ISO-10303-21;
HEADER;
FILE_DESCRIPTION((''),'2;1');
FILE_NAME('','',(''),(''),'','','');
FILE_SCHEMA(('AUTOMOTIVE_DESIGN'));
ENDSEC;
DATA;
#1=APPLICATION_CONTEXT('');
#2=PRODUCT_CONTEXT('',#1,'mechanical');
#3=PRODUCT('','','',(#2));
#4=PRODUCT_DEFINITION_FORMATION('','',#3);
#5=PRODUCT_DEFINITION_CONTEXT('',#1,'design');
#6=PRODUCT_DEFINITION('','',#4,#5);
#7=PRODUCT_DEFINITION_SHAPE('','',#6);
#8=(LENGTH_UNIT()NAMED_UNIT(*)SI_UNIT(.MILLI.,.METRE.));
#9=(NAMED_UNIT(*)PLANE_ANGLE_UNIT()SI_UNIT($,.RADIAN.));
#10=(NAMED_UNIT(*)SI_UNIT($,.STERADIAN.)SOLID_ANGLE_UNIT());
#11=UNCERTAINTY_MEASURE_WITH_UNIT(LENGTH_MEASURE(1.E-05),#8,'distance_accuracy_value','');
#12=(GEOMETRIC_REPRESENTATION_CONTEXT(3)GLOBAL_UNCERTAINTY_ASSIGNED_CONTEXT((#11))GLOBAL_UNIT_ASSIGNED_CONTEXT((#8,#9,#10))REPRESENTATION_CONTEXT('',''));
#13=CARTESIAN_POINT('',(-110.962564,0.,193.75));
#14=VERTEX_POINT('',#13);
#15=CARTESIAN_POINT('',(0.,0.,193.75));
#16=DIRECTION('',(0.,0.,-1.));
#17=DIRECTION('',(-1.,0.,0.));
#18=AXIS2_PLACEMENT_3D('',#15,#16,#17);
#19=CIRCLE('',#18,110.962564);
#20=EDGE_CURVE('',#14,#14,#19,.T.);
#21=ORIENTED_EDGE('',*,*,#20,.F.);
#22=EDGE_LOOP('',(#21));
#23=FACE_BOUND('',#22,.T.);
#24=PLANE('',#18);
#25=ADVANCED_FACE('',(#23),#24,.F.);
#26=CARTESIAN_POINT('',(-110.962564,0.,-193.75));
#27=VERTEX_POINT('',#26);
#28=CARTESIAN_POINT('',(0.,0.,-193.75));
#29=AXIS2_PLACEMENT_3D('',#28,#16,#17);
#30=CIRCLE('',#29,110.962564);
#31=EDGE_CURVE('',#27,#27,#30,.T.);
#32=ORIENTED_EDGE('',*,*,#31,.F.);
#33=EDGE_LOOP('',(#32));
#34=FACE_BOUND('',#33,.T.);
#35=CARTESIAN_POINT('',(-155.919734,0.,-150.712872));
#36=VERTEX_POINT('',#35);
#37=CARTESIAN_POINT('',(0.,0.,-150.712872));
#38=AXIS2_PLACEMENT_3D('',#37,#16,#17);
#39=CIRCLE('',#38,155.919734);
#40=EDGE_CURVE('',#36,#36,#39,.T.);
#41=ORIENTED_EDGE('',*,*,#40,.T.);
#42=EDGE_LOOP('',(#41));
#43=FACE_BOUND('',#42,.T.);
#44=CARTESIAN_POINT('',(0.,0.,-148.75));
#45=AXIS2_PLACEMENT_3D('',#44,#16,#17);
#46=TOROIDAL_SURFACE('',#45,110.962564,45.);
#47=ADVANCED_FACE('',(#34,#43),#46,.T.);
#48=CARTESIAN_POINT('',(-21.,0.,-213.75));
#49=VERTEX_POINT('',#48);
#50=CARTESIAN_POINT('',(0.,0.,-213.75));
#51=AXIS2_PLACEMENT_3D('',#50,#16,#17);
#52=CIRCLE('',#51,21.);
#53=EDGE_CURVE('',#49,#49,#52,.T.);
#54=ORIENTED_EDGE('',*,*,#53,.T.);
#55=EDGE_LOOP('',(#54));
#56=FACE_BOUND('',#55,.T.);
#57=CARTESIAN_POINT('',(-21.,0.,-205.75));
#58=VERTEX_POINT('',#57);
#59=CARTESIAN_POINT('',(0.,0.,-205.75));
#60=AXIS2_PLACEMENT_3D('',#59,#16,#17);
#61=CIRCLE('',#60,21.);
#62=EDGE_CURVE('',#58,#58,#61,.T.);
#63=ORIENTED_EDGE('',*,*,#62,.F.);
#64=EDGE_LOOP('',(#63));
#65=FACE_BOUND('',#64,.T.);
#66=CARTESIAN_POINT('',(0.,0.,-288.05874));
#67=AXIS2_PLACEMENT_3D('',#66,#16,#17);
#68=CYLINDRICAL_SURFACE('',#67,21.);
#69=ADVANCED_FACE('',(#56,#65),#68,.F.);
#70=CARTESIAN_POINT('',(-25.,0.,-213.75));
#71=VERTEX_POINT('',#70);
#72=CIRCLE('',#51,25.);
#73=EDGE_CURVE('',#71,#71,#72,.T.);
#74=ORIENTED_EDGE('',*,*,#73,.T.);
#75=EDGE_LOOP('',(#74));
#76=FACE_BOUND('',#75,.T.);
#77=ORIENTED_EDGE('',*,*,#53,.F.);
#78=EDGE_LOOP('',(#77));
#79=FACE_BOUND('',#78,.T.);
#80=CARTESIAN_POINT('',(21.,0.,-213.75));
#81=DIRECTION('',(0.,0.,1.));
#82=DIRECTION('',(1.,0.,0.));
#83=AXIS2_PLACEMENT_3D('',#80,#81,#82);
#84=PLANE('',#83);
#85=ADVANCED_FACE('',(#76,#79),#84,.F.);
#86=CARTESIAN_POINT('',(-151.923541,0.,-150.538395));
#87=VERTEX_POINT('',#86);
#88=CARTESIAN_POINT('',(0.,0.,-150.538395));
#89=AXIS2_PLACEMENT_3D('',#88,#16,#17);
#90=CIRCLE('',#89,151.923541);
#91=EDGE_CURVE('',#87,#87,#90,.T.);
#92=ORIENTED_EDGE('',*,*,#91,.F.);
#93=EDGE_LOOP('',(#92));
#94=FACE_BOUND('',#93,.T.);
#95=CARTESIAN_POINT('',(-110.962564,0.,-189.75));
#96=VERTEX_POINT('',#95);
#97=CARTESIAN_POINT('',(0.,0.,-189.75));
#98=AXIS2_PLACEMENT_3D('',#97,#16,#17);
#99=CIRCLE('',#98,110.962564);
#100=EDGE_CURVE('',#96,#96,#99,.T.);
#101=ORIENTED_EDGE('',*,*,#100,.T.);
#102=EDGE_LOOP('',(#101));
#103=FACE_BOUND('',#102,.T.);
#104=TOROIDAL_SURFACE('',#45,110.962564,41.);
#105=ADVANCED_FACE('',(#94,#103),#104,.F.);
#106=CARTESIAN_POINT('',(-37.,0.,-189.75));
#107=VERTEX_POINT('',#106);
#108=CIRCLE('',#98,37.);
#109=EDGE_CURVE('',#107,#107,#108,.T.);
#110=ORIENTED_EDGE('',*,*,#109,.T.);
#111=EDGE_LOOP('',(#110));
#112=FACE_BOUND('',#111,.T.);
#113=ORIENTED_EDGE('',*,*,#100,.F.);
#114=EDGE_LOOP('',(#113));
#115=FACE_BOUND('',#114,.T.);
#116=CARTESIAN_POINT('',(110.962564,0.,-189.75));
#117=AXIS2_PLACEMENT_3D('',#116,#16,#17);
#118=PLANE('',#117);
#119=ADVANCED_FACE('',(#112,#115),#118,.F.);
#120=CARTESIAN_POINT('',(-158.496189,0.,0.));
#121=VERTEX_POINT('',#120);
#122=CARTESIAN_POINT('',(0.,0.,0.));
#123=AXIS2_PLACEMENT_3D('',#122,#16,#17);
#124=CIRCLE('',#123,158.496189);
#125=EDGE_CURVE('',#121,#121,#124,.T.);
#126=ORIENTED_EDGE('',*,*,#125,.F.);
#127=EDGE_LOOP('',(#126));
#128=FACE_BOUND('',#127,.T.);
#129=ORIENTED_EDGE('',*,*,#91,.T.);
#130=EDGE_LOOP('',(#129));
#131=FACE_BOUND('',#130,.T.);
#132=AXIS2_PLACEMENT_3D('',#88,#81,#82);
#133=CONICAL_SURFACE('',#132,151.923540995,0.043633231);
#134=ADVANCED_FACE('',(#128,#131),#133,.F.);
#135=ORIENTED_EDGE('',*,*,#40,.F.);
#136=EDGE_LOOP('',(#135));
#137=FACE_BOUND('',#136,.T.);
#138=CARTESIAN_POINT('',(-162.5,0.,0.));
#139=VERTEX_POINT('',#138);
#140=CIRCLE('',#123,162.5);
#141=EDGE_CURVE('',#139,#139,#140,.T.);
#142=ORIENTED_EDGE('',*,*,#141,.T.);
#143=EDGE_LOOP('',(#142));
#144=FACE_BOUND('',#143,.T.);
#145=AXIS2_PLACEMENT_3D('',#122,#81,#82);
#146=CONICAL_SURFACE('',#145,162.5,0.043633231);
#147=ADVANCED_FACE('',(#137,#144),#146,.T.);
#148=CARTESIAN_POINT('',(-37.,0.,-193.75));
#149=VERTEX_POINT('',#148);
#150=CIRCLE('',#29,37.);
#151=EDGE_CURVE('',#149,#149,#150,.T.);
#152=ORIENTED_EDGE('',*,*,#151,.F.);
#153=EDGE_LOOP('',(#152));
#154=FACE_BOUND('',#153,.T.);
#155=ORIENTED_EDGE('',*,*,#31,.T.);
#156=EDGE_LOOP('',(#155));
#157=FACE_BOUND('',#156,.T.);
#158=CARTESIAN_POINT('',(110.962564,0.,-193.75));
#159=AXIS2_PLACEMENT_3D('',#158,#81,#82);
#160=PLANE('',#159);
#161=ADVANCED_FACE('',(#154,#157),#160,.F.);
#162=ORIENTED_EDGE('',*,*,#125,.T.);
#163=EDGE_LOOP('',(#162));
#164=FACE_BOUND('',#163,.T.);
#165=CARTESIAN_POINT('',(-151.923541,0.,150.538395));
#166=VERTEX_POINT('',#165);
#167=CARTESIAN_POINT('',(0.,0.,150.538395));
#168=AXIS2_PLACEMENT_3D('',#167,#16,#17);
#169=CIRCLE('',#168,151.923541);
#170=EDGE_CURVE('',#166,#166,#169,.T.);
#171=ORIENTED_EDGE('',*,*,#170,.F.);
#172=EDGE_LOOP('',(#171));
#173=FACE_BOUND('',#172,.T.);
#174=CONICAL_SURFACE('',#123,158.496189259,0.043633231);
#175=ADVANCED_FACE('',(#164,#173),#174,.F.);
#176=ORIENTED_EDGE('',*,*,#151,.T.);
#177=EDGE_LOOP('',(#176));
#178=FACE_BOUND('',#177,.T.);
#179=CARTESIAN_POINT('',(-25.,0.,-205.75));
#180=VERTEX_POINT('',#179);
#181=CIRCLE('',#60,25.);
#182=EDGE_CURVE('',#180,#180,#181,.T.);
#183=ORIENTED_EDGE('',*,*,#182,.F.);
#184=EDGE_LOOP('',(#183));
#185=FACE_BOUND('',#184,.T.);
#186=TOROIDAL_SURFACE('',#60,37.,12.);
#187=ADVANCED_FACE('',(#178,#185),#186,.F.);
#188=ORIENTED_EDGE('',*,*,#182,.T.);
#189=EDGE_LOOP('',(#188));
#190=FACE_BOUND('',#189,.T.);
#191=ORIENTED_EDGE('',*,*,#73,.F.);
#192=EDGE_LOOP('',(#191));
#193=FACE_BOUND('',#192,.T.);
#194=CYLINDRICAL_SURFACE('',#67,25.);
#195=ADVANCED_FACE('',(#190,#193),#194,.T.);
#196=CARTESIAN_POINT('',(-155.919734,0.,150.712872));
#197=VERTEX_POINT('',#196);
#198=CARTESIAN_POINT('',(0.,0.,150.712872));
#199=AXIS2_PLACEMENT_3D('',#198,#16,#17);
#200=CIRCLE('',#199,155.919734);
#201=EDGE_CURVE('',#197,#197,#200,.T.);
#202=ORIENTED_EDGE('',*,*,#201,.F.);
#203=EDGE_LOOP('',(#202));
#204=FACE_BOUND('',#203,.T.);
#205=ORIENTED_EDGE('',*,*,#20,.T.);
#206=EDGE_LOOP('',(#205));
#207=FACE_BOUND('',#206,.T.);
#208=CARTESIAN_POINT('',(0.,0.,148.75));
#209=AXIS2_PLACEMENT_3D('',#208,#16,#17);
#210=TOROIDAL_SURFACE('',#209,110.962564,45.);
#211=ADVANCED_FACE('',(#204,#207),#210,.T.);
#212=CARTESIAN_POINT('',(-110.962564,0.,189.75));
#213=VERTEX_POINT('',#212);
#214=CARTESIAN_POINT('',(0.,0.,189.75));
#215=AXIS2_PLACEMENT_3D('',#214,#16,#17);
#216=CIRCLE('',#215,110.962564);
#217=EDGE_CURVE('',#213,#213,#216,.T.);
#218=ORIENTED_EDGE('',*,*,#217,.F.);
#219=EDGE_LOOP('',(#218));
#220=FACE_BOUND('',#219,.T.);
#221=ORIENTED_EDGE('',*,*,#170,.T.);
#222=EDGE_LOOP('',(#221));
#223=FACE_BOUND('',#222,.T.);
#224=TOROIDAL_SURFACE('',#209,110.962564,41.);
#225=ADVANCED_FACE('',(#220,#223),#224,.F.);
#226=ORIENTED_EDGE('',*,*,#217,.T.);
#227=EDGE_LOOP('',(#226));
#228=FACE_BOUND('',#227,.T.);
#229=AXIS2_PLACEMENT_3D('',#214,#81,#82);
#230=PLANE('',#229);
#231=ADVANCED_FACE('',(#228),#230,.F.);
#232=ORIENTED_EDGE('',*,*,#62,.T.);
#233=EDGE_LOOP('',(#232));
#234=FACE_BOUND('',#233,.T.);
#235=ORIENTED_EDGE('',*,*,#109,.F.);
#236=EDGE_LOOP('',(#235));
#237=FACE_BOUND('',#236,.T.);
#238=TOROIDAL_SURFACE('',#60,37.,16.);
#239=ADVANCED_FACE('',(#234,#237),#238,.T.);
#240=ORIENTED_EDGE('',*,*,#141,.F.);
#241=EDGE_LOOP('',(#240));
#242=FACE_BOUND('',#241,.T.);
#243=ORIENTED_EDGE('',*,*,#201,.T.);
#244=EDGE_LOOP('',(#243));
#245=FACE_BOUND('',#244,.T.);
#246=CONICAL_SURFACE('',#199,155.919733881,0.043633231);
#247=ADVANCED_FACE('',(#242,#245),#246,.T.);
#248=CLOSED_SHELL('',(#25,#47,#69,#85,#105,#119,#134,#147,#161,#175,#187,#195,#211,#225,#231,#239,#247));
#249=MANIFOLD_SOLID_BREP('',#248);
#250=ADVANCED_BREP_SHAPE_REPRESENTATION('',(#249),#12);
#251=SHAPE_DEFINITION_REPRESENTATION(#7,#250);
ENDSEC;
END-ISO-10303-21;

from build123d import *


with BuildPart() as part:
    # Sketch1 → Revolve2 (revolve)
    with BuildSketch(Plane(origin=(0, 0, 0), x_dir=(1, 0, 0), z_dir=(0, 1, 0)), mode=Mode.PRIVATE) as revolve2_sk:
        with BuildLine():
            Line((0, -193.75), (110.96256391, -193.75))
            ThreePointArc((110.96256391, -193.75), (142.08065142, -181.256378293), (155.919733881, -150.712872431))
            Line((155.919733881, -150.712872431), (162.5, 0))
            Line((162.5, 0), (155.919733881, 150.712872431))
            ThreePointArc((155.919733881, 150.712872431), (142.08065142, 181.256378293), (110.96256391, 193.75))
            Line((110.96256391, 193.75), (37, 193.75))
            ThreePointArc((37, 193.75), (28.514718626, 197.264718626), (25, 205.75))
            Line((25, 205.75), (25, 213.75))
            Line((25, 213.75), (21, 213.75))
            Line((21, 213.75), (21, 205.75))
            ThreePointArc((21, 205.75), (25.686291501, 194.436291501), (37, 189.75))
            Line((37, 189.75), (110.96256391, 189.75))
            ThreePointArc((110.96256391, 189.75), (139.314599197, 178.366922444), (151.923540995, 150.538394882))
            Line((151.923540995, 150.538394882), (158.496189259, 0))
            Line((158.496189259, 0), (151.923540995, -150.538394882))
            ThreePointArc((151.923540995, -150.538394882), (139.314599197, -178.366922444), (110.96256391, -189.75))
            Line((110.96256391, -189.75), (0, -189.75))
            Line((0, -189.75), (0, -193.75))
        make_face()
    revolve(revolve2_sk.sketch.rotate(Axis((0, 0, -288.058740368), (0, 0, 1)), 180), axis=Axis((0, 0, -288.058740368), (0, 0, 1)))


solid = part.part
